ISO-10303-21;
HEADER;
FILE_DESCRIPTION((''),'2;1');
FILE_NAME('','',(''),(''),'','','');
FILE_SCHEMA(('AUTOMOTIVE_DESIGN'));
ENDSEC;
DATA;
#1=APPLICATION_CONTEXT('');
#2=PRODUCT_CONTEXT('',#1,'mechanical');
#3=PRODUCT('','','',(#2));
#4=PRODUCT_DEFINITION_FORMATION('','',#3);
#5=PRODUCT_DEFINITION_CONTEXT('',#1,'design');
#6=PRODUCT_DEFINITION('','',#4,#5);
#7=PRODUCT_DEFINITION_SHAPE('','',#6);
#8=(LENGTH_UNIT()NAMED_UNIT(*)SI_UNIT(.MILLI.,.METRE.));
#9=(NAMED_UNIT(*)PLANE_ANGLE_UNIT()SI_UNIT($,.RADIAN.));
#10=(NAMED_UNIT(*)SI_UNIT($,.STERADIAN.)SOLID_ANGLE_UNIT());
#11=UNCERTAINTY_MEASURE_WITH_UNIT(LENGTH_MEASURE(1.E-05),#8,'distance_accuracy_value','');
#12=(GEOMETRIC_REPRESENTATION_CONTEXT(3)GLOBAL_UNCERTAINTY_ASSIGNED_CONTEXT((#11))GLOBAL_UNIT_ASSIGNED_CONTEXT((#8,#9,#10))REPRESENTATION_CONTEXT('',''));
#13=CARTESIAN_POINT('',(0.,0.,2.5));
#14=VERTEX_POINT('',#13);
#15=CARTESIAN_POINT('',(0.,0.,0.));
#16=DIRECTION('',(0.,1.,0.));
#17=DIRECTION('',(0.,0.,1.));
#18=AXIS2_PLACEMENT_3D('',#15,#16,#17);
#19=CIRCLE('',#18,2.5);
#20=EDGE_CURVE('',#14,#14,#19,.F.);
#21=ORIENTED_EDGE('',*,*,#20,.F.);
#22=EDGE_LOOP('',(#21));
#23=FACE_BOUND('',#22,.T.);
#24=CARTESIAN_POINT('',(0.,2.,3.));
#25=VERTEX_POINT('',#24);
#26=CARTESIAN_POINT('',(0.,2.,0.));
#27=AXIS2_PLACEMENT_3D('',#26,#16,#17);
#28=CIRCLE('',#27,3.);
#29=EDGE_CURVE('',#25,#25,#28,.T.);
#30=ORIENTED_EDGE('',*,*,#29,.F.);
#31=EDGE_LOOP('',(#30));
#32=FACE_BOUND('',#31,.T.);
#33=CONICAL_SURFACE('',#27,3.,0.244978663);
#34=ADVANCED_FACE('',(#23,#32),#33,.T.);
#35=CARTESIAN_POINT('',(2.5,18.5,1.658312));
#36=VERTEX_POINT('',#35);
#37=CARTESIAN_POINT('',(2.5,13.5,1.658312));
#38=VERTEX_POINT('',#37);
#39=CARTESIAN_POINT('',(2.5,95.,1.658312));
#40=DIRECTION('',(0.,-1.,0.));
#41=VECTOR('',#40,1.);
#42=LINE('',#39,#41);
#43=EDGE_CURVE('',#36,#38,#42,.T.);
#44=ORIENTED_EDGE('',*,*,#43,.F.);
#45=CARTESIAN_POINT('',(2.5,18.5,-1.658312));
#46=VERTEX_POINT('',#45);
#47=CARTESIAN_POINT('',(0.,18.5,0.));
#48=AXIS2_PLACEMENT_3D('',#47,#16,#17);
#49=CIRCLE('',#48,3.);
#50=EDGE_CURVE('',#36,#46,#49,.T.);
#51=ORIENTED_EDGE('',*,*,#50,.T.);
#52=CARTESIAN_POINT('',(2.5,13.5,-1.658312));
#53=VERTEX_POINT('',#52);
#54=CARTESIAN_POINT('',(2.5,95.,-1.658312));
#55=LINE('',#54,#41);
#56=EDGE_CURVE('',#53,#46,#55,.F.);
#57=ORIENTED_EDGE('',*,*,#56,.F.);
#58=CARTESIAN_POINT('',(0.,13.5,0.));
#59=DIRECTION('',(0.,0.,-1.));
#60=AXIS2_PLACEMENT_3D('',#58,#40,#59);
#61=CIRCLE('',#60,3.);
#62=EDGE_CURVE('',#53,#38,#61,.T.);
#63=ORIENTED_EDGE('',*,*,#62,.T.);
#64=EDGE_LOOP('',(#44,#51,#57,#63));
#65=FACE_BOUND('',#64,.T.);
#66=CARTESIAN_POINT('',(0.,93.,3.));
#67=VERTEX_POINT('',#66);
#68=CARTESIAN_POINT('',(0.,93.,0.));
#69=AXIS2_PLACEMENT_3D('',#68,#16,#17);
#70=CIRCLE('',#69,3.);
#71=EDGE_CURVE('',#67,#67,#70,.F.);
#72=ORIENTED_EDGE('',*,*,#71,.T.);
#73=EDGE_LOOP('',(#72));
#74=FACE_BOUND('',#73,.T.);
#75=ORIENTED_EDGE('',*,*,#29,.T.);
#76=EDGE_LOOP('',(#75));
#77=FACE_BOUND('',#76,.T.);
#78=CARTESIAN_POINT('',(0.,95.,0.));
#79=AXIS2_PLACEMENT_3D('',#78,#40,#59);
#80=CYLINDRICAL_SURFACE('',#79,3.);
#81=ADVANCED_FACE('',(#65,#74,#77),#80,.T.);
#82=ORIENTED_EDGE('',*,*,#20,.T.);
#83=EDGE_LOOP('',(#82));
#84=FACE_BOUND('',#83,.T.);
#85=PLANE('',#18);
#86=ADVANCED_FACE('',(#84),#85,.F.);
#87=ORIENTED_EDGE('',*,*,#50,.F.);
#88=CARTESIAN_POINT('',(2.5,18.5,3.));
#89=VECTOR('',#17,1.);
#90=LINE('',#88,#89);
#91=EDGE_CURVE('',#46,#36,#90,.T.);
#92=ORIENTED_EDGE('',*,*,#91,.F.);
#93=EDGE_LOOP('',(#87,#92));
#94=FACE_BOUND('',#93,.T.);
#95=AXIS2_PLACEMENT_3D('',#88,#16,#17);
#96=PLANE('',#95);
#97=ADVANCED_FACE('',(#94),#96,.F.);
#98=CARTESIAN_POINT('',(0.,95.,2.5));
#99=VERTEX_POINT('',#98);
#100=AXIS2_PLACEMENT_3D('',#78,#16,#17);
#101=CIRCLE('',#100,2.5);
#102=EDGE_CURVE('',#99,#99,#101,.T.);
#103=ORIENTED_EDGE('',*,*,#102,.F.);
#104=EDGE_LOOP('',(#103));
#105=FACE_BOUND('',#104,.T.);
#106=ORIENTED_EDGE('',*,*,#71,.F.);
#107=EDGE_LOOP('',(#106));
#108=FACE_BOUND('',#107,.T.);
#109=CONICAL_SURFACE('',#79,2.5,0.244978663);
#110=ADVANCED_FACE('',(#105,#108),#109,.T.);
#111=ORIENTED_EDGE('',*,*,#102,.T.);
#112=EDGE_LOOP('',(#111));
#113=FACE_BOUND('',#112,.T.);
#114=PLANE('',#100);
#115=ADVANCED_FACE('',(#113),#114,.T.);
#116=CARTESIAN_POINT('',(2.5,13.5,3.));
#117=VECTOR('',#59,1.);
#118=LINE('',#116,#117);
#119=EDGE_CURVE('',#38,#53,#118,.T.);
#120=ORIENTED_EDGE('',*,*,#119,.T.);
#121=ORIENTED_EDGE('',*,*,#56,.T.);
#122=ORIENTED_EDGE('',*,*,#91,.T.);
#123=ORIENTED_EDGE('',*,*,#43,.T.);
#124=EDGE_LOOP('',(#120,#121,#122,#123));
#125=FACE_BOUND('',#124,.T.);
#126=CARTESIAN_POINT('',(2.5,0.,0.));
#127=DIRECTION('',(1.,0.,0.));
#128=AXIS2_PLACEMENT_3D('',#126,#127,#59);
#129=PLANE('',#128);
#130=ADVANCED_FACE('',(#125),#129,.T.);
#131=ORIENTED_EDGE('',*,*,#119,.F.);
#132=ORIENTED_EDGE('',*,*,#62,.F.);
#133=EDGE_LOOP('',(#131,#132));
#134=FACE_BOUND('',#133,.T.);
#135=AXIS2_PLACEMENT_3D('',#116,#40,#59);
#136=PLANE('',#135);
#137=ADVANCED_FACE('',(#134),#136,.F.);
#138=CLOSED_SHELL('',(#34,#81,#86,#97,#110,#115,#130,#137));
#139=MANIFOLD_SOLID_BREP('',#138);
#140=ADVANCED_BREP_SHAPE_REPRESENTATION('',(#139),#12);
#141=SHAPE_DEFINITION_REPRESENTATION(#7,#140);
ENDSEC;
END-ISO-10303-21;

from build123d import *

# Parameters (mm, degrees)
SKETCH1_R           = 3
BOSS_EXTRUDE1_DEPTH = 95
CHAMFER1_SIZE       = 0.5
CHAMFER1_SIZE2      = 2
CHAMFER2_SIZE       = 2
CHAMFER2_SIZE2      = 0.5
SKETCH2_W           = 6
SKETCH2_H           = 5
CUT_EXTRUDE1_DEPTH  = 0.5


with BuildPart() as part:
    # Sketch1 → Boss-Extrude1 (new body)
    with BuildSketch(Plane(origin=(0, 0, 0), x_dir=(1, 0, 0), z_dir=(0, 1, 0))):
        with Locations(Location((0, 0, 0), (0, 0, 270))):
            Circle(SKETCH1_R)
    extrude(amount=BOSS_EXTRUDE1_DEPTH)

    # Chamfer1
    chamfer1_edges = [part.edges().sort_by_distance(p)[0] for p in [
        (0, 0, -3),
    ]]
    chamfer1_side = [part.faces().sort_by_distance(p)[0] for p in [
        (0, 0, 0),
    ]]
    chamfer(chamfer1_edges, length=CHAMFER1_SIZE, length2=CHAMFER1_SIZE2, reference=chamfer1_side[0])

    # Chamfer2
    chamfer2_edges = [part.edges().sort_by_distance(p)[0] for p in [
        (0, 95, -3),
    ]]
    chamfer2_side = [part.faces().sort_by_distance(p)[0] for p in [
        (0, 48.5, -3),
    ]]
    chamfer(chamfer2_edges, length=CHAMFER2_SIZE, length2=CHAMFER2_SIZE2, reference=chamfer2_side[0])

    # Sketch2 → Cut-Extrude1 (cut)
    with BuildSketch(Plane(origin=(3, 0, 0), x_dir=(0, 0, -1), z_dir=(1, 0, 0))):
        with Locations((0, 16)):
            Rectangle(SKETCH2_W, SKETCH2_H)
    extrude(amount=-CUT_EXTRUDE1_DEPTH, mode=Mode.SUBTRACT)


solid = part.part
